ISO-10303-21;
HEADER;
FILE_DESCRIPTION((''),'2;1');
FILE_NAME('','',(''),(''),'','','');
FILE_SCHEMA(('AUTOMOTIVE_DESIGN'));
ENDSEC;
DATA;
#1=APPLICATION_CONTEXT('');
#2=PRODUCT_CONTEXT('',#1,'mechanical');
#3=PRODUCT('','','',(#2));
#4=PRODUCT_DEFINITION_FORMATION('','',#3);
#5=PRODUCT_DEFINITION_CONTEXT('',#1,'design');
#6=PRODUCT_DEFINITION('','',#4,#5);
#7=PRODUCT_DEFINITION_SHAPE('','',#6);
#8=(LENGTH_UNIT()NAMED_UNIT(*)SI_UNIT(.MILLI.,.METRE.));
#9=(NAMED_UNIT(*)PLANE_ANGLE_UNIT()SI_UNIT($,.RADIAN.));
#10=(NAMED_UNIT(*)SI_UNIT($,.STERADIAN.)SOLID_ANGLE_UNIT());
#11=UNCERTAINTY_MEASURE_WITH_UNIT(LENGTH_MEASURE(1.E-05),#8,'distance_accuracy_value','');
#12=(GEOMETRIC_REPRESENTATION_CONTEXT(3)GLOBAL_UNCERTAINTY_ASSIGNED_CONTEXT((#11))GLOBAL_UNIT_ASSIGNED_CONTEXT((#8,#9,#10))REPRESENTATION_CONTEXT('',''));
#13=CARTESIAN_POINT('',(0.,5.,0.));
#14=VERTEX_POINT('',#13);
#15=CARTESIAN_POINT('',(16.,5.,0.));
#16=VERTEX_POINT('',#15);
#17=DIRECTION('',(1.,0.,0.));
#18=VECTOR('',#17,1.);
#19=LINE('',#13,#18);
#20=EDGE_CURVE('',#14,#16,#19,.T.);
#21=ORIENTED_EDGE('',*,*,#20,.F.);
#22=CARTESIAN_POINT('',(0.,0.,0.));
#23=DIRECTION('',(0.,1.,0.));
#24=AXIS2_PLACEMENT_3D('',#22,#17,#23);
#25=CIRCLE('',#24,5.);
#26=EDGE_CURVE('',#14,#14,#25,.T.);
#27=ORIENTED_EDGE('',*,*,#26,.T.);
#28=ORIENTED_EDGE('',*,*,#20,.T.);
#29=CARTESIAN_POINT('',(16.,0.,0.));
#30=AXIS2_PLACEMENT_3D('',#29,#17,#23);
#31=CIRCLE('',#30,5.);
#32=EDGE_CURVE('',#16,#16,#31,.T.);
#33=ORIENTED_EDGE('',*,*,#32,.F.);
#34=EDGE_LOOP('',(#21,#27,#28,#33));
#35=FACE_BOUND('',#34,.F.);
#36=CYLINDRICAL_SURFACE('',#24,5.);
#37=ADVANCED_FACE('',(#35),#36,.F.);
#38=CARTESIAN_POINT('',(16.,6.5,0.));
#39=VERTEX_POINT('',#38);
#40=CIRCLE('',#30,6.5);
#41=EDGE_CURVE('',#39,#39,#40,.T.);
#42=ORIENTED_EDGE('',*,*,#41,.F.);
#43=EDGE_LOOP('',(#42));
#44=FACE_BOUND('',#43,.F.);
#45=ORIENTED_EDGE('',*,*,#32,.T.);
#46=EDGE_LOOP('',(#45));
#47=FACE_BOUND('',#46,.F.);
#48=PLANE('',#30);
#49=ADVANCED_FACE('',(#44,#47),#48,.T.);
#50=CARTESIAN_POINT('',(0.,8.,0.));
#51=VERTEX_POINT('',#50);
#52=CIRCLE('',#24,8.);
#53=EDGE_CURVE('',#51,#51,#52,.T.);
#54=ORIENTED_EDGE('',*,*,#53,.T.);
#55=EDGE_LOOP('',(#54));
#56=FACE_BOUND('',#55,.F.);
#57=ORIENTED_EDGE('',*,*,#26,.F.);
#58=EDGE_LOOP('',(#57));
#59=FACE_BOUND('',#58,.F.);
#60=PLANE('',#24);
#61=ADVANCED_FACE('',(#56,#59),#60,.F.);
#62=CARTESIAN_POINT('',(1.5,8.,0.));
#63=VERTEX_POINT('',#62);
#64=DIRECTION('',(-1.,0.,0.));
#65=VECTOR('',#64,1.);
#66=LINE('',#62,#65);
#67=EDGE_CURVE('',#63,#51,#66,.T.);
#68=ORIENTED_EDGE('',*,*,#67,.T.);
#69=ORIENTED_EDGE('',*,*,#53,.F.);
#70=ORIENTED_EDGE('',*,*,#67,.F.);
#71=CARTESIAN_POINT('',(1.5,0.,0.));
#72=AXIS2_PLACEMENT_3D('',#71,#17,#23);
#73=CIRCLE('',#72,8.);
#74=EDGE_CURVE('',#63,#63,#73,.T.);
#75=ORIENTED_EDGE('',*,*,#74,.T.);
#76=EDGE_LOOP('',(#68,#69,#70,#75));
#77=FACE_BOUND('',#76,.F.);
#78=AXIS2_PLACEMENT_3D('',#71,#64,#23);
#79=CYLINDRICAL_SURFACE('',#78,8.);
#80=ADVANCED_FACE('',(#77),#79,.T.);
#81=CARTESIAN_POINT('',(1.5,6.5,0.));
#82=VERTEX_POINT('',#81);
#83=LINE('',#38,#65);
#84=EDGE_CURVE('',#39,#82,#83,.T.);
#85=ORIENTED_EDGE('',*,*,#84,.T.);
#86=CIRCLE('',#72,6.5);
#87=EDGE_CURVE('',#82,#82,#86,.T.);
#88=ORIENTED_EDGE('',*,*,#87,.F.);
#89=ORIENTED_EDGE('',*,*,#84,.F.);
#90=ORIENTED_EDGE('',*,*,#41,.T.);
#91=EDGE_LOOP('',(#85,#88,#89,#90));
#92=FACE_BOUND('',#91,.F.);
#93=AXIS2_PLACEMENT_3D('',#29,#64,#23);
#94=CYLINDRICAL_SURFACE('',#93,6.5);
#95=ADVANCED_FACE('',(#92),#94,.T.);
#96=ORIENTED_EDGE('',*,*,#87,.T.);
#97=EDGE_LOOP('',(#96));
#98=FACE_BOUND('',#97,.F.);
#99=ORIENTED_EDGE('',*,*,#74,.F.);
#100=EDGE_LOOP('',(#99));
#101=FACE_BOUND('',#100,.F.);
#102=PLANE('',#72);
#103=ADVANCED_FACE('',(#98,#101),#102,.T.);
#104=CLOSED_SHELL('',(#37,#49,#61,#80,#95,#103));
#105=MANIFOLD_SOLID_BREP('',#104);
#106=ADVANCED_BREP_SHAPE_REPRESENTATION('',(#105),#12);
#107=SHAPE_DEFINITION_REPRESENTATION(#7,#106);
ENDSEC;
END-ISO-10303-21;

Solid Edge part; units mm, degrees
sketch "Sketch1" plane through (0, 0, 0) normal (0, 0, 1) x (1, 0, 0)
  line L0 (1.5, 8) -> (0, 8)
  line L1 (0, 8) -> (0, 5)
  line L2 (0, 5) -> (16, 5)
  line L3 (16, 0) -> (16, 6.5)
  line L4 (16, 6.5) -> (1.5, 6.5)
  line L5 (1.5, 6.5) -> (1.5, 8)
revolve "RevolvedProtrusion1" add sketch "Sketch1" angle 360 about axis through (0, 0, 0) along (1, 0, 0)
